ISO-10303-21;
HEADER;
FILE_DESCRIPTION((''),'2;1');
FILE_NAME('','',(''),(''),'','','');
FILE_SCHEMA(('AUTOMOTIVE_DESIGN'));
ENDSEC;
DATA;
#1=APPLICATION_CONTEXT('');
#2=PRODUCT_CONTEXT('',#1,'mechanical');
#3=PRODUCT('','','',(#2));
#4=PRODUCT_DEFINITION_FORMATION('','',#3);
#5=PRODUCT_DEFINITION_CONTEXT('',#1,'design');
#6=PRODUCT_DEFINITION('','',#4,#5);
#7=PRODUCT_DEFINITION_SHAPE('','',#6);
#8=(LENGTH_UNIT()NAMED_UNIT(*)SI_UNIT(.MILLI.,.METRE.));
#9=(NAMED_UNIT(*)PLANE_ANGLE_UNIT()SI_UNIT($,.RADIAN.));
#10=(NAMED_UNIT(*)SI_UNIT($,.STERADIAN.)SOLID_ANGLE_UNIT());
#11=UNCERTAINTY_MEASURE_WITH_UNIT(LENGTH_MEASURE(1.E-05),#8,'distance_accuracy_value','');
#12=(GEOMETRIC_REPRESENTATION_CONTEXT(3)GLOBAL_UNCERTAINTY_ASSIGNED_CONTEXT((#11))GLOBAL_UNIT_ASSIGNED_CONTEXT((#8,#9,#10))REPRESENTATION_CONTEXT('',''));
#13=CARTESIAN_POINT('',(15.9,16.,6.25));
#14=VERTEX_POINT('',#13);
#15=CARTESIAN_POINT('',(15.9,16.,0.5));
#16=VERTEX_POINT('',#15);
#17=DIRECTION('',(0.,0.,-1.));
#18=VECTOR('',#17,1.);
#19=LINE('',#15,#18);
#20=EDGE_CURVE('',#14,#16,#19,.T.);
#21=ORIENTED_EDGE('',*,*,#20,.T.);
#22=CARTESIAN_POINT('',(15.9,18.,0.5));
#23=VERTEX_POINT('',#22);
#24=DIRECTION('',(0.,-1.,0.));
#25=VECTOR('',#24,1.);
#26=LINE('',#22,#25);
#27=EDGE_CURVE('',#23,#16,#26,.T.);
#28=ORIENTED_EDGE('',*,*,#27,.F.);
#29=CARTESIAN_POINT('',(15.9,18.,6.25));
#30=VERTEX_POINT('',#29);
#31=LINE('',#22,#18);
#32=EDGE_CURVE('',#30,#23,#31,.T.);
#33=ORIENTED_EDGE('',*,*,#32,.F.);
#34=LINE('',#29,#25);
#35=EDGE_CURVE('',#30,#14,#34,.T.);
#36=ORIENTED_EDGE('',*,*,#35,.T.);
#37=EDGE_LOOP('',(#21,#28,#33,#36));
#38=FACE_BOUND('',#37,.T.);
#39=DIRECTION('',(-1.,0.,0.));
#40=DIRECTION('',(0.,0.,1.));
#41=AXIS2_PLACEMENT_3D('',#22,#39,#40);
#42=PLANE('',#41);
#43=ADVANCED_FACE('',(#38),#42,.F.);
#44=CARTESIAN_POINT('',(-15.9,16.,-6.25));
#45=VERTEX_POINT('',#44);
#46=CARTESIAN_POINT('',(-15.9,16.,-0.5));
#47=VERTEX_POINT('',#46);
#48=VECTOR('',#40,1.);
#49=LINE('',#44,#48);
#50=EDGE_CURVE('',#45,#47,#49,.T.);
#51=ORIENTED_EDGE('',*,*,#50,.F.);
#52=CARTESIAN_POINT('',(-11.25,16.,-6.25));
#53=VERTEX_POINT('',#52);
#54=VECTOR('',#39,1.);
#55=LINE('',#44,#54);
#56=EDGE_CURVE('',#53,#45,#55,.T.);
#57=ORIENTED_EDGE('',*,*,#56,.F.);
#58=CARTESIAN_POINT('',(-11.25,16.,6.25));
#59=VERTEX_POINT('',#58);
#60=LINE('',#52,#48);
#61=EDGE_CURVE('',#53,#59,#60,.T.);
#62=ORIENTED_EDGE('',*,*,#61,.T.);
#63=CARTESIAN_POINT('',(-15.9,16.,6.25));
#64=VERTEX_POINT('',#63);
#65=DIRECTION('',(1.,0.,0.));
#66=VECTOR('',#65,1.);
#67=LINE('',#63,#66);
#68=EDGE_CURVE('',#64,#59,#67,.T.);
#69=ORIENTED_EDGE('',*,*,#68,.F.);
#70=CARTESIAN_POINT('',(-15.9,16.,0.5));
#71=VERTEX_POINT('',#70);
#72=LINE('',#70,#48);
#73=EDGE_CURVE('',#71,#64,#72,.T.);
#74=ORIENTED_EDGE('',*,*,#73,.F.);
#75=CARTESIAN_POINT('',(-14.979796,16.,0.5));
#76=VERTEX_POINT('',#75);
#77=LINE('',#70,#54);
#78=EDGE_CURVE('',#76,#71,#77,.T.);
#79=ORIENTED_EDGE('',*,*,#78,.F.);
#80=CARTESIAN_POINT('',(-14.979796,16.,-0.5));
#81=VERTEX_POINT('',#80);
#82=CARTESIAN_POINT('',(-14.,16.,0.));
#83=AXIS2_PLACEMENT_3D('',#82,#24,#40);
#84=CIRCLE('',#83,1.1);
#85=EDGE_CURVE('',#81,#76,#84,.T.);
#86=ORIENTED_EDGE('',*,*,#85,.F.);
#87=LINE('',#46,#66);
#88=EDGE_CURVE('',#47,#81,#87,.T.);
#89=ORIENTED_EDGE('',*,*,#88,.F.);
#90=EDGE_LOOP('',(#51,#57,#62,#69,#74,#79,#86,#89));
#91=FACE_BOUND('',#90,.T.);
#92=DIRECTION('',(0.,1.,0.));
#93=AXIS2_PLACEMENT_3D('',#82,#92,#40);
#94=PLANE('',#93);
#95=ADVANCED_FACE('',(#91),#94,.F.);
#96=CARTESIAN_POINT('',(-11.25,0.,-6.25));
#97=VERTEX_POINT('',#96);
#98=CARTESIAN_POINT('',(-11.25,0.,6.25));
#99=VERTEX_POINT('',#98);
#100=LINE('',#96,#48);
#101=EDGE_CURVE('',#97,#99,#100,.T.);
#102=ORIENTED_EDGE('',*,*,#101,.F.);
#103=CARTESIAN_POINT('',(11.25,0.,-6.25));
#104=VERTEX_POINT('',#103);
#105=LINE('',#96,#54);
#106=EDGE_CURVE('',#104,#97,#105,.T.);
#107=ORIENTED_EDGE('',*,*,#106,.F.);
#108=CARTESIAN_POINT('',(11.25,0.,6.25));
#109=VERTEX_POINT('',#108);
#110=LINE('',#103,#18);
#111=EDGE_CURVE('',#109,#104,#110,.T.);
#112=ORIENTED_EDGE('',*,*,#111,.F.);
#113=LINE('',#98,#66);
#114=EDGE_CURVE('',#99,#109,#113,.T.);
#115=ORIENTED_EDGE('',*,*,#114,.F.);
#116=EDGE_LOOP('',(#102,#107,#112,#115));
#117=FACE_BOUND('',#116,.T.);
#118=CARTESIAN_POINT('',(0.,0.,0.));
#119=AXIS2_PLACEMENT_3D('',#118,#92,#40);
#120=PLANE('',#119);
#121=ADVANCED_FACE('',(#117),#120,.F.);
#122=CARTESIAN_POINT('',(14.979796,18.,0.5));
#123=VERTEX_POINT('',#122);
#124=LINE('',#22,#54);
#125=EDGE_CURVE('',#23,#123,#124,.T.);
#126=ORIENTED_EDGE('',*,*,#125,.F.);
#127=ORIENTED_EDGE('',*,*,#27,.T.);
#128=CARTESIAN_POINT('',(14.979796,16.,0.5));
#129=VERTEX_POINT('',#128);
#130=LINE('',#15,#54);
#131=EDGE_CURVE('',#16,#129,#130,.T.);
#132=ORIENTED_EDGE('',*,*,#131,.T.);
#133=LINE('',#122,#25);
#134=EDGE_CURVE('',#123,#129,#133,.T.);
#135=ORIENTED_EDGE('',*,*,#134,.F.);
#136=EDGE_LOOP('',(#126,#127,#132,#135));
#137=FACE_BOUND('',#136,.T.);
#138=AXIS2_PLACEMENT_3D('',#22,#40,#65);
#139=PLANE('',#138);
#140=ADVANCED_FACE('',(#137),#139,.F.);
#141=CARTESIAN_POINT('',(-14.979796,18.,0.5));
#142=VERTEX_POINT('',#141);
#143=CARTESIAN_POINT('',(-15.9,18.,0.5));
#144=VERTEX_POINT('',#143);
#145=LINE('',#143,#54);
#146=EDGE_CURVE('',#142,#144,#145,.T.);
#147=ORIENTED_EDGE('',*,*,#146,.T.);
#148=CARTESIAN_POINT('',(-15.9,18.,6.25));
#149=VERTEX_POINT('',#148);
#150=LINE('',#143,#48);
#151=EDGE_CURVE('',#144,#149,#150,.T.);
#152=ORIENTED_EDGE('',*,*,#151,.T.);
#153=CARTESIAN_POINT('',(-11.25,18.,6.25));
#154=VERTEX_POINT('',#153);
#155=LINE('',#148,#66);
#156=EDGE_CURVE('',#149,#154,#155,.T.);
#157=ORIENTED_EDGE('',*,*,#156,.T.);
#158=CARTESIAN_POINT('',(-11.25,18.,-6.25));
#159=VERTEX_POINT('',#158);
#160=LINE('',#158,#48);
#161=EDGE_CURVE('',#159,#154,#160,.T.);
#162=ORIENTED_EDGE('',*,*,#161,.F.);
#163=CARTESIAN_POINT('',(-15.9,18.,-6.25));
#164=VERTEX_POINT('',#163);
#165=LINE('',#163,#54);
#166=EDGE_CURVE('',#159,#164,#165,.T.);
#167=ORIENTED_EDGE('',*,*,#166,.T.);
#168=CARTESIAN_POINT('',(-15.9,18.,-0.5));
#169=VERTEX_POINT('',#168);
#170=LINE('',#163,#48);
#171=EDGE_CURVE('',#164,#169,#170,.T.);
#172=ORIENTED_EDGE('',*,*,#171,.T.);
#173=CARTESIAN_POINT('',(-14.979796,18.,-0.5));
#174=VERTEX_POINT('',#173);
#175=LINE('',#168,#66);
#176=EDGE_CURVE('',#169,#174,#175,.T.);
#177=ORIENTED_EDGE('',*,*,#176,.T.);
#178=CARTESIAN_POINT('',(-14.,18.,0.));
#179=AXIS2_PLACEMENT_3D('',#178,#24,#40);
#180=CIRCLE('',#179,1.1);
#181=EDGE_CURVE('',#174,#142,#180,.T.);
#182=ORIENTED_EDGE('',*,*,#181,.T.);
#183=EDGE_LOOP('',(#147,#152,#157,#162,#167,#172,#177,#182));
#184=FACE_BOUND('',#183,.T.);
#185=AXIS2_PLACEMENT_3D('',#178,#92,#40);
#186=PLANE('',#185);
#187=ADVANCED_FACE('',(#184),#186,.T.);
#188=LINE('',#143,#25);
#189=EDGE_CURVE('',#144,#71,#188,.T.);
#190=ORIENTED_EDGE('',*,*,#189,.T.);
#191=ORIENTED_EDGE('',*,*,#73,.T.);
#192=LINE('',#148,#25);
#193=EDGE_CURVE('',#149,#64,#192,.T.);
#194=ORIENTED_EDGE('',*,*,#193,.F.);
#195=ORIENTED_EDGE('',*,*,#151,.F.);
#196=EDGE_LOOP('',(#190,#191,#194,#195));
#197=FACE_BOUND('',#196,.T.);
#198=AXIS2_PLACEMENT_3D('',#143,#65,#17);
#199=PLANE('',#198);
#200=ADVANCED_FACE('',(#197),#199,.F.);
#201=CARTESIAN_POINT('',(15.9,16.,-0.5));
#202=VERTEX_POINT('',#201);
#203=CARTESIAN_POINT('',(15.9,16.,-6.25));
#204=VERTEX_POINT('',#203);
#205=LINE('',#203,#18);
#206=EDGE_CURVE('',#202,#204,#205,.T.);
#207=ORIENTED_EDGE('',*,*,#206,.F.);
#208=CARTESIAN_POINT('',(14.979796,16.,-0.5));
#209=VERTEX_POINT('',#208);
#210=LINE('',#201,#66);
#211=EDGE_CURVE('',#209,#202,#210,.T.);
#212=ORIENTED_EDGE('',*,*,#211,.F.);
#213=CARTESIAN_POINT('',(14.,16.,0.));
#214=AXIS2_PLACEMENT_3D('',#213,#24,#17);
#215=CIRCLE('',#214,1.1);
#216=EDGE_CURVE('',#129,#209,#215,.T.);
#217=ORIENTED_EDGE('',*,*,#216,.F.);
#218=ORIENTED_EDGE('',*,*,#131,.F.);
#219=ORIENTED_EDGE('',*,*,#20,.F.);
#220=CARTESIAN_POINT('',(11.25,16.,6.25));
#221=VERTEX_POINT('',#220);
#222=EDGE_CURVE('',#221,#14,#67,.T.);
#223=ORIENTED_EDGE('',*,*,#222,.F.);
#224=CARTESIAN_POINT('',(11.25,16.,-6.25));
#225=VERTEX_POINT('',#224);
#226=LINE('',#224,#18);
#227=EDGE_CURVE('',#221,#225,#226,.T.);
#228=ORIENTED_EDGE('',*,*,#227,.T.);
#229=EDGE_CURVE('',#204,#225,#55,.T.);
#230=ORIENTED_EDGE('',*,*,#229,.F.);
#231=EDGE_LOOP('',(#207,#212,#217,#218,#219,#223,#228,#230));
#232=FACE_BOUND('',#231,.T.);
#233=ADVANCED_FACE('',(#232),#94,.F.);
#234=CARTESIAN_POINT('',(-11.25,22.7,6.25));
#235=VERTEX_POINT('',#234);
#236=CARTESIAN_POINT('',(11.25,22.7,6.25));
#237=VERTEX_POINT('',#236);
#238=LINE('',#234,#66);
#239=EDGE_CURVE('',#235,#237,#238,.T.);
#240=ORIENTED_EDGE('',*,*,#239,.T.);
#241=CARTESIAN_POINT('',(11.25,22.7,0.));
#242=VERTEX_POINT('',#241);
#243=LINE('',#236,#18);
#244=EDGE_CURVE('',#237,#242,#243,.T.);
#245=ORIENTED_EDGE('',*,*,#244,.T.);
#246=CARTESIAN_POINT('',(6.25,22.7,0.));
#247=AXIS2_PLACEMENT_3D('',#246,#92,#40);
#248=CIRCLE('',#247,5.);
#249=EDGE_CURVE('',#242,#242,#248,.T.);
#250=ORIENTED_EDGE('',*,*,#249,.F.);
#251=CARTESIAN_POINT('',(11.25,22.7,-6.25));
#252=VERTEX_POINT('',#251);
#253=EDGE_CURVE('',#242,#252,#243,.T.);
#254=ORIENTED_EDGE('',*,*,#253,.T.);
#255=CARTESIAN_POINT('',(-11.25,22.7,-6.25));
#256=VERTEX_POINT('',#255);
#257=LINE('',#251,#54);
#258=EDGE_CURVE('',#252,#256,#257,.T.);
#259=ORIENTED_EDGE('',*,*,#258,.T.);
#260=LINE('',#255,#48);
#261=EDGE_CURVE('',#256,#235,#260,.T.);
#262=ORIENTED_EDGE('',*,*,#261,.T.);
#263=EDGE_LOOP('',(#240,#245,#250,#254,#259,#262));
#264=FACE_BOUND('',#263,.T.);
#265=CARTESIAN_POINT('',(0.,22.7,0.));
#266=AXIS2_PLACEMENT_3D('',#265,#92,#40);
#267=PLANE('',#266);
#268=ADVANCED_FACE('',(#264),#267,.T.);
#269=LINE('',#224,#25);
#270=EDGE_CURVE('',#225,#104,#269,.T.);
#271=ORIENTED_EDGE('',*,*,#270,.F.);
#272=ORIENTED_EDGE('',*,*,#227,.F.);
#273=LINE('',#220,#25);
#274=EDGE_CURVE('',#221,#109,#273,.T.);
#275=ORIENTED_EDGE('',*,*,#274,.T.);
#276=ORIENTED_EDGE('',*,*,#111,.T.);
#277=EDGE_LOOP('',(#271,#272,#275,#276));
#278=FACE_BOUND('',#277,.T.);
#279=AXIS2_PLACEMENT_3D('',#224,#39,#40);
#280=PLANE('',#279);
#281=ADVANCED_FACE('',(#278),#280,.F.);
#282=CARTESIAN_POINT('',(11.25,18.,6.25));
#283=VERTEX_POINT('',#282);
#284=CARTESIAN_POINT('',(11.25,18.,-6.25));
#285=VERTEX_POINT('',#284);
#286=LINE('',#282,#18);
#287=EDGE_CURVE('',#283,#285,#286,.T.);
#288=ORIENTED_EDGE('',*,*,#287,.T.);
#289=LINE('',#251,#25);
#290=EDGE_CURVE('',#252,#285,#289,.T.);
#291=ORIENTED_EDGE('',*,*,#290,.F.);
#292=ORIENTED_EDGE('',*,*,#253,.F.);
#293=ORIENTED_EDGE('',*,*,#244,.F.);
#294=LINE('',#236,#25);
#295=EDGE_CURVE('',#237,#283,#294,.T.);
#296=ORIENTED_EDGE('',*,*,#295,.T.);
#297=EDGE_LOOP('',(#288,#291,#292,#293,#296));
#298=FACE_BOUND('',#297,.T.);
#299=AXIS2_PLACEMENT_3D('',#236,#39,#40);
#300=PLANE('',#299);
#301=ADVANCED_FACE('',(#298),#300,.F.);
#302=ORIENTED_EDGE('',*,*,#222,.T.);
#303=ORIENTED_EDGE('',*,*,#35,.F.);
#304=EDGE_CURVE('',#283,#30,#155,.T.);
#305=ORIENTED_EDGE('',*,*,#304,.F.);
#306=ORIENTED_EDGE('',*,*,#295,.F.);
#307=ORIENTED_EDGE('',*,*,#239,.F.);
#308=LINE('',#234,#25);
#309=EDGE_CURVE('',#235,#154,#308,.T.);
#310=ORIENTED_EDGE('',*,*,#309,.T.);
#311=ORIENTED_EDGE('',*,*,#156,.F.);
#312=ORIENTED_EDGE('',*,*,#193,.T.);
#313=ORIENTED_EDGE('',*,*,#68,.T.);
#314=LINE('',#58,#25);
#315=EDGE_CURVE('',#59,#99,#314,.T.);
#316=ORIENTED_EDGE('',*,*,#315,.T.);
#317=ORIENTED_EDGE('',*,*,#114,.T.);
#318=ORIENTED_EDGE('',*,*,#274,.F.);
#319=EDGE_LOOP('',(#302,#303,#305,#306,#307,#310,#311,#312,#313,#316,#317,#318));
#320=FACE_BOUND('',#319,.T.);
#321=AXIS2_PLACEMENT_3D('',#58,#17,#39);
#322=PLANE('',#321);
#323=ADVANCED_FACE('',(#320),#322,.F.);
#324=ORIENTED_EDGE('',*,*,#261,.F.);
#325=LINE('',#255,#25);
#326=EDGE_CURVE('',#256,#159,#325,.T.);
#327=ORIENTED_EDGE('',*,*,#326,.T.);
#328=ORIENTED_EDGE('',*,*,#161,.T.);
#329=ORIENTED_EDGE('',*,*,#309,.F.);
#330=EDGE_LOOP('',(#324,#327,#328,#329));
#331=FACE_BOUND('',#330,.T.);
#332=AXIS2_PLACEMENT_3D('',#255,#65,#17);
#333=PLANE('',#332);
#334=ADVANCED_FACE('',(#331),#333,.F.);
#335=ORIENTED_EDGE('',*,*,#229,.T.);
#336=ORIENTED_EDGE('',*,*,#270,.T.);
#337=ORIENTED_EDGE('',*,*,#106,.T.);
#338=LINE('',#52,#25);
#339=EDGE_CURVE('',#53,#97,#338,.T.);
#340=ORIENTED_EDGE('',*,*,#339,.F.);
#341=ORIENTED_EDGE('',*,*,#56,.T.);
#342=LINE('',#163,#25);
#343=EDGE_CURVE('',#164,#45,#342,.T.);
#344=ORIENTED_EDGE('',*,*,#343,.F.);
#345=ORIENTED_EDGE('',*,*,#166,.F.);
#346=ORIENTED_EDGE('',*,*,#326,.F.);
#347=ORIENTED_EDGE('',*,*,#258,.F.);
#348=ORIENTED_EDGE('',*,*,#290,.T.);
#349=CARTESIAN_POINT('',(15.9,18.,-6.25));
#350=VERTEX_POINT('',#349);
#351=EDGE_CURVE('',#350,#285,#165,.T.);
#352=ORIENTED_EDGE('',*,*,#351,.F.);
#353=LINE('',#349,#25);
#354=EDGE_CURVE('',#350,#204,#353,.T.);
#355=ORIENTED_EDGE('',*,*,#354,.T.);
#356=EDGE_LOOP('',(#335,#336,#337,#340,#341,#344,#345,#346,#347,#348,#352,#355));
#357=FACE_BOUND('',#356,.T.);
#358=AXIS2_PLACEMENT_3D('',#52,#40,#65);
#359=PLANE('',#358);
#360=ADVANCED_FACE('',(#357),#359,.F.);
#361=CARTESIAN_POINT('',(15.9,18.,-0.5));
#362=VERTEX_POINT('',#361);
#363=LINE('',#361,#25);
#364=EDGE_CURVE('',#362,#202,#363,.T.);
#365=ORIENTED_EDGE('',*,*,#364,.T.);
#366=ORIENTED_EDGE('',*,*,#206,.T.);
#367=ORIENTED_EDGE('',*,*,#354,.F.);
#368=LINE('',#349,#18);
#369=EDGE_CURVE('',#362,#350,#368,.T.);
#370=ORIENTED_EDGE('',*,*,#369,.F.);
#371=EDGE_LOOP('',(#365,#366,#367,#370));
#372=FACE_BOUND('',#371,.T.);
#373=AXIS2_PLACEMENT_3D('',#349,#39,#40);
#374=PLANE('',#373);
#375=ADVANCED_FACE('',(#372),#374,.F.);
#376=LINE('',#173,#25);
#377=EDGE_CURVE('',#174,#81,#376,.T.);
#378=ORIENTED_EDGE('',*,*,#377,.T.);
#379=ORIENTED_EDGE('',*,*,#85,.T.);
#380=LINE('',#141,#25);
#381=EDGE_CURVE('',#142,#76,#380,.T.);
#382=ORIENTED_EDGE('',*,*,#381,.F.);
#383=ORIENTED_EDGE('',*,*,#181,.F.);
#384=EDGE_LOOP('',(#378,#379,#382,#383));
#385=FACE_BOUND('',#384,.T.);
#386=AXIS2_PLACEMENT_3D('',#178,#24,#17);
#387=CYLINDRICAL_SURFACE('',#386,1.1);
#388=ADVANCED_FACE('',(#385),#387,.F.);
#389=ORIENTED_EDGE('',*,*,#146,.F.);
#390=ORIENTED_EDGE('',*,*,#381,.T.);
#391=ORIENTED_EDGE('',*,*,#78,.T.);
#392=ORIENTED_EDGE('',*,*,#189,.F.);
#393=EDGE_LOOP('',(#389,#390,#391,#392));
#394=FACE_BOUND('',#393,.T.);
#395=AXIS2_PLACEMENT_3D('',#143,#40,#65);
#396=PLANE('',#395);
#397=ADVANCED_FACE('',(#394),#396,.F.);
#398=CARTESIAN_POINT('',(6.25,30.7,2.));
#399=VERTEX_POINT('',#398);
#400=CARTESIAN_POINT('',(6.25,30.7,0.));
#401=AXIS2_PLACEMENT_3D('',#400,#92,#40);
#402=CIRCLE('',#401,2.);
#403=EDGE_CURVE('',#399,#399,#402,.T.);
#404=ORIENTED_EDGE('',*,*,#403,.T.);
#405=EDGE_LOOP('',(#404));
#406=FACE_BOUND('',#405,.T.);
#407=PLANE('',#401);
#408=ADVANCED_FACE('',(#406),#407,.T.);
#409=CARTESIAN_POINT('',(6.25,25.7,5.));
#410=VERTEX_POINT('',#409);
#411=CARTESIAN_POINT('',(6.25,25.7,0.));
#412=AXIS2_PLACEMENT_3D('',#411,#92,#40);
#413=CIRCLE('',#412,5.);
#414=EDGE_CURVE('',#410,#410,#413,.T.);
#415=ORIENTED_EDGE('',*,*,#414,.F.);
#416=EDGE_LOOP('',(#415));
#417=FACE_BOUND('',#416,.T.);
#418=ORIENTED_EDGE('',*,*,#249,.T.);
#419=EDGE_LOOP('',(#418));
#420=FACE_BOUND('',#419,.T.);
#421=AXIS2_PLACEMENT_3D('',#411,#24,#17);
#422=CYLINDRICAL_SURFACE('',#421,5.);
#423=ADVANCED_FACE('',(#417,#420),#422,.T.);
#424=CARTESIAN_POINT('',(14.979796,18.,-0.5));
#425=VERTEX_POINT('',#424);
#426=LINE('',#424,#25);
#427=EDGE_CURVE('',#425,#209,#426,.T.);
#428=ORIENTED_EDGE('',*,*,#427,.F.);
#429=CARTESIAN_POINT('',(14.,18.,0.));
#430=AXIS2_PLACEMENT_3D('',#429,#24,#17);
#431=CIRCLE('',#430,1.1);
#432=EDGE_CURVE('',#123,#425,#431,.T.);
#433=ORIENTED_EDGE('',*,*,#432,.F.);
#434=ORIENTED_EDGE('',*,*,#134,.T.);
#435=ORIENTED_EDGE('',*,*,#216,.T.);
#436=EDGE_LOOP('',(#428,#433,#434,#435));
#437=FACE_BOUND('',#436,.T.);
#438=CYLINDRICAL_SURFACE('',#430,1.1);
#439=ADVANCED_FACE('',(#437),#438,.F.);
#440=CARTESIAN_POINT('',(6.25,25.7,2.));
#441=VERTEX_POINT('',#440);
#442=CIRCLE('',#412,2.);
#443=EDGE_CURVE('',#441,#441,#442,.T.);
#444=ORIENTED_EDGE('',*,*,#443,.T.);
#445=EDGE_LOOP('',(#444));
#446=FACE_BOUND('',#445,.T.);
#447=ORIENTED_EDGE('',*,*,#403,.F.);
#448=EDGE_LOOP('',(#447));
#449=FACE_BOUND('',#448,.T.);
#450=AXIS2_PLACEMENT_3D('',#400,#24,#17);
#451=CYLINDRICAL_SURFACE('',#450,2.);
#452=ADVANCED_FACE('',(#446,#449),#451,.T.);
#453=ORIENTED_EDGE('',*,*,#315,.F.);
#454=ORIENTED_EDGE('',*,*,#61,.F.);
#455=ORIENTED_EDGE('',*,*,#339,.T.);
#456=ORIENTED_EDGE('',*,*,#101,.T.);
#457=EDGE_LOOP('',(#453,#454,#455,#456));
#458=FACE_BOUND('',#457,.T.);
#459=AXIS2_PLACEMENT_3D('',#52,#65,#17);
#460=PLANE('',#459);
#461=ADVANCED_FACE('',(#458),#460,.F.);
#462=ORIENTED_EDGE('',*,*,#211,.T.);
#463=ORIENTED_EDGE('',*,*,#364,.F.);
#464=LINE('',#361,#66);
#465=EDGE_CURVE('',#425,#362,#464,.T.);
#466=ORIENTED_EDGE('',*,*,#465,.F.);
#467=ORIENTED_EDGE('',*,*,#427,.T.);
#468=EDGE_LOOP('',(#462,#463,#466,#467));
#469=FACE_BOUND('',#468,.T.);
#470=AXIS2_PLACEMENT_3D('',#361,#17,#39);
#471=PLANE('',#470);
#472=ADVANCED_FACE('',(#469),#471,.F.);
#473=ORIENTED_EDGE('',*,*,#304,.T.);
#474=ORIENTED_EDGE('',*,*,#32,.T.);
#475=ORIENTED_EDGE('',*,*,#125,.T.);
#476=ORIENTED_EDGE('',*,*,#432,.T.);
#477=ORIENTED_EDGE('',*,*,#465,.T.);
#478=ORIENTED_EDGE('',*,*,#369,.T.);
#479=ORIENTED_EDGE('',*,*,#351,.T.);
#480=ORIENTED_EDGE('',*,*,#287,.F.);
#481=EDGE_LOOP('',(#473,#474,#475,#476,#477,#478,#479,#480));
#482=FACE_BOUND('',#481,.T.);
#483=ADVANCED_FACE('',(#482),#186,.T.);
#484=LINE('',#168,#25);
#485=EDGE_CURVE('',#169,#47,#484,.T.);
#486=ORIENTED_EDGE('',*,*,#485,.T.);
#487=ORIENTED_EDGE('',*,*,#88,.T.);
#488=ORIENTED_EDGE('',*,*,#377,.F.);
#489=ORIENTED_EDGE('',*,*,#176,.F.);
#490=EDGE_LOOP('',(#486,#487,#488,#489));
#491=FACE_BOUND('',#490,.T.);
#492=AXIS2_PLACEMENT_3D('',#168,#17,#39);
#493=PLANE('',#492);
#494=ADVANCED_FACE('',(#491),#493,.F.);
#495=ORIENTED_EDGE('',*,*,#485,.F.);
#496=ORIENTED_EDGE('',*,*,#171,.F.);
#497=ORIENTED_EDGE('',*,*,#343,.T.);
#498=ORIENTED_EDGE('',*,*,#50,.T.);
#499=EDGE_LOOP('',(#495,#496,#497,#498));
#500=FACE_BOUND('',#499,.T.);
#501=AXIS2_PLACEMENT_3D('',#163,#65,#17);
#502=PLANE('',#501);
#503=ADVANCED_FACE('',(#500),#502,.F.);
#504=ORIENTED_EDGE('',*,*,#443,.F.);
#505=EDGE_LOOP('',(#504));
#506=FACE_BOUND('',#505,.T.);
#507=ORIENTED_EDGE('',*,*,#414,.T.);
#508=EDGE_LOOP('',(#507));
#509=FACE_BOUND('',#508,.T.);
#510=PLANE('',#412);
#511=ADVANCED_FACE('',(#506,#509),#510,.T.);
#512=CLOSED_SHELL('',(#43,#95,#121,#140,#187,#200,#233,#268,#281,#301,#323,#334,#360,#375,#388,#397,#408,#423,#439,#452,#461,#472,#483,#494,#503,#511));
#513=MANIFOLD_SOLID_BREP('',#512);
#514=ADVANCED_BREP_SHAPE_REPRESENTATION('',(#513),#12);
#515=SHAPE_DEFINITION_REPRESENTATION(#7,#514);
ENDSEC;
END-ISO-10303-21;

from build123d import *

# Parameters (mm, degrees)
SKETCH_1_W      = 22.5
SKETCH_1_H      = 12.5
EXTRUDE_1_DEPTH = 16
EXTRUDE_2_DEPTH = 2
SKETCH_3_W      = 22.5
SKETCH_3_H      = 12.5
EXTRUDE_3_DEPTH = 4.7
SKETCH_4_R      = 5
EXTRUDE_4_DEPTH = 3
SKETCH_5_R      = 2
EXTRUDE_5_DEPTH = 5


with BuildPart() as part:
    # 草图1 → 凸台-拉伸1 (new body)
    with BuildSketch(Plane(origin=(0, 0, 0), x_dir=(1, 0, 0), z_dir=(0, 1, 0))):
        Rectangle(SKETCH_1_W, SKETCH_1_H)
    extrude(amount=EXTRUDE_1_DEPTH)

    # 草图2 → 凸台-拉伸2 (add)
    with BuildSketch(Plane(origin=(0, 16, 0), x_dir=(1, 0, 0), z_dir=(0, 1, 0))):
        with BuildLine():
            Line((-15.9, 6.25), (15.9, 6.25))
            Line((15.9, 6.25), (15.9, 0.5))
            Line((15.9, 0.5), (14.979795897, 0.5))
            ThreePointArc((14.979795897, 0.5), (12.9, 0), (14.979795897, -0.5))
            Line((14.979795897, -0.5), (15.9, -0.5))
            Line((15.9, -0.5), (15.9, -6.25))
            Line((15.9, -6.25), (-15.9, -6.25))
            Line((-15.9, -6.25), (-15.9, -0.5))
            Line((-15.9, -0.5), (-14.979795897, -0.5))
            ThreePointArc((-14.979795897, -0.5), (-12.9, 0), (-14.979795897, 0.5))
            Line((-14.979795897, 0.5), (-15.9, 0.5))
            Line((-15.9, 0.5), (-15.9, 6.25))
        make_face()
    extrude(amount=EXTRUDE_2_DEPTH)

    # 草图3 → 凸台-拉伸3 (add)
    with BuildSketch(Plane(origin=(0, 18, 0), x_dir=(1, 0, 0), z_dir=(0, 1, 0))):
        Rectangle(SKETCH_3_W, SKETCH_3_H)
    extrude(amount=EXTRUDE_3_DEPTH)

    # 草图4 → 凸台-拉伸4 (add)
    with BuildSketch(Plane(origin=(0, 22.7, 0), x_dir=(1, 0, 0), z_dir=(0, 1, 0))):
        with Locations((6.25, 0)):
            Circle(SKETCH_4_R)
    extrude(amount=EXTRUDE_4_DEPTH)

    # 草图5 → 凸台-拉伸5 (add)
    with BuildSketch(Plane(origin=(0, 25.7, 0), x_dir=(1, 0, 0), z_dir=(0, 1, 0))):
        with Locations(Location((6.25, 0, 0), (0, 0, 270))):
            Circle(SKETCH_5_R)
    extrude(amount=EXTRUDE_5_DEPTH)


solid = part.part
